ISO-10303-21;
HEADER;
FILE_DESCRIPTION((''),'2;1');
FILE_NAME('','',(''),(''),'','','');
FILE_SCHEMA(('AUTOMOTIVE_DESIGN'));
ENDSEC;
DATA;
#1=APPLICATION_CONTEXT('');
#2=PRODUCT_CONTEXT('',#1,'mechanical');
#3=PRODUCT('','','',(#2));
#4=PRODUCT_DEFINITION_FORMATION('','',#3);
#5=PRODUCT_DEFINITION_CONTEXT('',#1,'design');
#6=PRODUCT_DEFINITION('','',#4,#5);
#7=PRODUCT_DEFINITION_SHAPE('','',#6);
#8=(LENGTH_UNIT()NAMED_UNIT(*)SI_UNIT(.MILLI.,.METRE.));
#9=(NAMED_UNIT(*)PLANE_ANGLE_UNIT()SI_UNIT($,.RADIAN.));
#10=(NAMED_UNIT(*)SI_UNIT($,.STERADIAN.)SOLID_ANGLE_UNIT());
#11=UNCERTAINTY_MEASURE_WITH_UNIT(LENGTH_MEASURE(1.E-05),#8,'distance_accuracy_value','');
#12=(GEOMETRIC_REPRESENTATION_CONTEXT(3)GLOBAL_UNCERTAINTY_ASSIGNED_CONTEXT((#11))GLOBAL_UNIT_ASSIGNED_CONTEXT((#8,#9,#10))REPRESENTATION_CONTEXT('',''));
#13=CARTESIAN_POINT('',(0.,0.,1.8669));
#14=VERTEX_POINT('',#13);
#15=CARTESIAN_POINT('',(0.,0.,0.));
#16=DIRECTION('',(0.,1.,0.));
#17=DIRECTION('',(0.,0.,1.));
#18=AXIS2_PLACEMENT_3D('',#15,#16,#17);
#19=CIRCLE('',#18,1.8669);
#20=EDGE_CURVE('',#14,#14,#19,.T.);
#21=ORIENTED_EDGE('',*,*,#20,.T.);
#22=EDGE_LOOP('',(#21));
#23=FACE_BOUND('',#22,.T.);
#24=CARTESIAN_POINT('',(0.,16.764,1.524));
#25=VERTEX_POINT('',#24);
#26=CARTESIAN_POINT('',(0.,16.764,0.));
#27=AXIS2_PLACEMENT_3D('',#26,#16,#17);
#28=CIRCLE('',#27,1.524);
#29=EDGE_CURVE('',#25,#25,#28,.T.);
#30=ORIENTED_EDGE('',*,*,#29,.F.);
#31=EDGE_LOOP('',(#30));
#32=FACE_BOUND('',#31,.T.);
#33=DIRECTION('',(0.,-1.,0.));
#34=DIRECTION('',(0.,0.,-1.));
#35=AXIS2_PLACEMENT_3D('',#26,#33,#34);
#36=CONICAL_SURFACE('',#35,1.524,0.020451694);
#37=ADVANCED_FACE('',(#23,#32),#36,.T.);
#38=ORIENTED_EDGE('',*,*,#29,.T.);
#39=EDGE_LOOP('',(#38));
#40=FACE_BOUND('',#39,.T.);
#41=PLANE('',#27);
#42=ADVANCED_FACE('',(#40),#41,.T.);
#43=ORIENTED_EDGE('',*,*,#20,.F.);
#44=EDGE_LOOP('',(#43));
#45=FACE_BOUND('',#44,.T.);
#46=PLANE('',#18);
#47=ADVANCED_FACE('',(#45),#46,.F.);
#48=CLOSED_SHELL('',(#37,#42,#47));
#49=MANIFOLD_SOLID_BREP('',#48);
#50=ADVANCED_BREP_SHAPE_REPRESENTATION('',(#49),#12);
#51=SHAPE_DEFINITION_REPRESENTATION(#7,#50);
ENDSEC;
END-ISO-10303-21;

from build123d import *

# Parameters (mm, degrees)
SKETCH2_R = 1.524
SKETCH1_R = 1.8669


with BuildPart() as part:
    # Sketch2 → Loft1 section 0
    with BuildSketch(Plane(origin=(0, 16.764, 0), x_dir=(1, 0, 0), z_dir=(0, 1, 0))):
        Circle(SKETCH2_R)
    # Sketch1 → Loft1 section 1
    with BuildSketch(Plane(origin=(0, 0, 0), x_dir=(1, 0, 0), z_dir=(0, 1, 0))):
        Circle(SKETCH1_R)
    loft()


solid = part.part
